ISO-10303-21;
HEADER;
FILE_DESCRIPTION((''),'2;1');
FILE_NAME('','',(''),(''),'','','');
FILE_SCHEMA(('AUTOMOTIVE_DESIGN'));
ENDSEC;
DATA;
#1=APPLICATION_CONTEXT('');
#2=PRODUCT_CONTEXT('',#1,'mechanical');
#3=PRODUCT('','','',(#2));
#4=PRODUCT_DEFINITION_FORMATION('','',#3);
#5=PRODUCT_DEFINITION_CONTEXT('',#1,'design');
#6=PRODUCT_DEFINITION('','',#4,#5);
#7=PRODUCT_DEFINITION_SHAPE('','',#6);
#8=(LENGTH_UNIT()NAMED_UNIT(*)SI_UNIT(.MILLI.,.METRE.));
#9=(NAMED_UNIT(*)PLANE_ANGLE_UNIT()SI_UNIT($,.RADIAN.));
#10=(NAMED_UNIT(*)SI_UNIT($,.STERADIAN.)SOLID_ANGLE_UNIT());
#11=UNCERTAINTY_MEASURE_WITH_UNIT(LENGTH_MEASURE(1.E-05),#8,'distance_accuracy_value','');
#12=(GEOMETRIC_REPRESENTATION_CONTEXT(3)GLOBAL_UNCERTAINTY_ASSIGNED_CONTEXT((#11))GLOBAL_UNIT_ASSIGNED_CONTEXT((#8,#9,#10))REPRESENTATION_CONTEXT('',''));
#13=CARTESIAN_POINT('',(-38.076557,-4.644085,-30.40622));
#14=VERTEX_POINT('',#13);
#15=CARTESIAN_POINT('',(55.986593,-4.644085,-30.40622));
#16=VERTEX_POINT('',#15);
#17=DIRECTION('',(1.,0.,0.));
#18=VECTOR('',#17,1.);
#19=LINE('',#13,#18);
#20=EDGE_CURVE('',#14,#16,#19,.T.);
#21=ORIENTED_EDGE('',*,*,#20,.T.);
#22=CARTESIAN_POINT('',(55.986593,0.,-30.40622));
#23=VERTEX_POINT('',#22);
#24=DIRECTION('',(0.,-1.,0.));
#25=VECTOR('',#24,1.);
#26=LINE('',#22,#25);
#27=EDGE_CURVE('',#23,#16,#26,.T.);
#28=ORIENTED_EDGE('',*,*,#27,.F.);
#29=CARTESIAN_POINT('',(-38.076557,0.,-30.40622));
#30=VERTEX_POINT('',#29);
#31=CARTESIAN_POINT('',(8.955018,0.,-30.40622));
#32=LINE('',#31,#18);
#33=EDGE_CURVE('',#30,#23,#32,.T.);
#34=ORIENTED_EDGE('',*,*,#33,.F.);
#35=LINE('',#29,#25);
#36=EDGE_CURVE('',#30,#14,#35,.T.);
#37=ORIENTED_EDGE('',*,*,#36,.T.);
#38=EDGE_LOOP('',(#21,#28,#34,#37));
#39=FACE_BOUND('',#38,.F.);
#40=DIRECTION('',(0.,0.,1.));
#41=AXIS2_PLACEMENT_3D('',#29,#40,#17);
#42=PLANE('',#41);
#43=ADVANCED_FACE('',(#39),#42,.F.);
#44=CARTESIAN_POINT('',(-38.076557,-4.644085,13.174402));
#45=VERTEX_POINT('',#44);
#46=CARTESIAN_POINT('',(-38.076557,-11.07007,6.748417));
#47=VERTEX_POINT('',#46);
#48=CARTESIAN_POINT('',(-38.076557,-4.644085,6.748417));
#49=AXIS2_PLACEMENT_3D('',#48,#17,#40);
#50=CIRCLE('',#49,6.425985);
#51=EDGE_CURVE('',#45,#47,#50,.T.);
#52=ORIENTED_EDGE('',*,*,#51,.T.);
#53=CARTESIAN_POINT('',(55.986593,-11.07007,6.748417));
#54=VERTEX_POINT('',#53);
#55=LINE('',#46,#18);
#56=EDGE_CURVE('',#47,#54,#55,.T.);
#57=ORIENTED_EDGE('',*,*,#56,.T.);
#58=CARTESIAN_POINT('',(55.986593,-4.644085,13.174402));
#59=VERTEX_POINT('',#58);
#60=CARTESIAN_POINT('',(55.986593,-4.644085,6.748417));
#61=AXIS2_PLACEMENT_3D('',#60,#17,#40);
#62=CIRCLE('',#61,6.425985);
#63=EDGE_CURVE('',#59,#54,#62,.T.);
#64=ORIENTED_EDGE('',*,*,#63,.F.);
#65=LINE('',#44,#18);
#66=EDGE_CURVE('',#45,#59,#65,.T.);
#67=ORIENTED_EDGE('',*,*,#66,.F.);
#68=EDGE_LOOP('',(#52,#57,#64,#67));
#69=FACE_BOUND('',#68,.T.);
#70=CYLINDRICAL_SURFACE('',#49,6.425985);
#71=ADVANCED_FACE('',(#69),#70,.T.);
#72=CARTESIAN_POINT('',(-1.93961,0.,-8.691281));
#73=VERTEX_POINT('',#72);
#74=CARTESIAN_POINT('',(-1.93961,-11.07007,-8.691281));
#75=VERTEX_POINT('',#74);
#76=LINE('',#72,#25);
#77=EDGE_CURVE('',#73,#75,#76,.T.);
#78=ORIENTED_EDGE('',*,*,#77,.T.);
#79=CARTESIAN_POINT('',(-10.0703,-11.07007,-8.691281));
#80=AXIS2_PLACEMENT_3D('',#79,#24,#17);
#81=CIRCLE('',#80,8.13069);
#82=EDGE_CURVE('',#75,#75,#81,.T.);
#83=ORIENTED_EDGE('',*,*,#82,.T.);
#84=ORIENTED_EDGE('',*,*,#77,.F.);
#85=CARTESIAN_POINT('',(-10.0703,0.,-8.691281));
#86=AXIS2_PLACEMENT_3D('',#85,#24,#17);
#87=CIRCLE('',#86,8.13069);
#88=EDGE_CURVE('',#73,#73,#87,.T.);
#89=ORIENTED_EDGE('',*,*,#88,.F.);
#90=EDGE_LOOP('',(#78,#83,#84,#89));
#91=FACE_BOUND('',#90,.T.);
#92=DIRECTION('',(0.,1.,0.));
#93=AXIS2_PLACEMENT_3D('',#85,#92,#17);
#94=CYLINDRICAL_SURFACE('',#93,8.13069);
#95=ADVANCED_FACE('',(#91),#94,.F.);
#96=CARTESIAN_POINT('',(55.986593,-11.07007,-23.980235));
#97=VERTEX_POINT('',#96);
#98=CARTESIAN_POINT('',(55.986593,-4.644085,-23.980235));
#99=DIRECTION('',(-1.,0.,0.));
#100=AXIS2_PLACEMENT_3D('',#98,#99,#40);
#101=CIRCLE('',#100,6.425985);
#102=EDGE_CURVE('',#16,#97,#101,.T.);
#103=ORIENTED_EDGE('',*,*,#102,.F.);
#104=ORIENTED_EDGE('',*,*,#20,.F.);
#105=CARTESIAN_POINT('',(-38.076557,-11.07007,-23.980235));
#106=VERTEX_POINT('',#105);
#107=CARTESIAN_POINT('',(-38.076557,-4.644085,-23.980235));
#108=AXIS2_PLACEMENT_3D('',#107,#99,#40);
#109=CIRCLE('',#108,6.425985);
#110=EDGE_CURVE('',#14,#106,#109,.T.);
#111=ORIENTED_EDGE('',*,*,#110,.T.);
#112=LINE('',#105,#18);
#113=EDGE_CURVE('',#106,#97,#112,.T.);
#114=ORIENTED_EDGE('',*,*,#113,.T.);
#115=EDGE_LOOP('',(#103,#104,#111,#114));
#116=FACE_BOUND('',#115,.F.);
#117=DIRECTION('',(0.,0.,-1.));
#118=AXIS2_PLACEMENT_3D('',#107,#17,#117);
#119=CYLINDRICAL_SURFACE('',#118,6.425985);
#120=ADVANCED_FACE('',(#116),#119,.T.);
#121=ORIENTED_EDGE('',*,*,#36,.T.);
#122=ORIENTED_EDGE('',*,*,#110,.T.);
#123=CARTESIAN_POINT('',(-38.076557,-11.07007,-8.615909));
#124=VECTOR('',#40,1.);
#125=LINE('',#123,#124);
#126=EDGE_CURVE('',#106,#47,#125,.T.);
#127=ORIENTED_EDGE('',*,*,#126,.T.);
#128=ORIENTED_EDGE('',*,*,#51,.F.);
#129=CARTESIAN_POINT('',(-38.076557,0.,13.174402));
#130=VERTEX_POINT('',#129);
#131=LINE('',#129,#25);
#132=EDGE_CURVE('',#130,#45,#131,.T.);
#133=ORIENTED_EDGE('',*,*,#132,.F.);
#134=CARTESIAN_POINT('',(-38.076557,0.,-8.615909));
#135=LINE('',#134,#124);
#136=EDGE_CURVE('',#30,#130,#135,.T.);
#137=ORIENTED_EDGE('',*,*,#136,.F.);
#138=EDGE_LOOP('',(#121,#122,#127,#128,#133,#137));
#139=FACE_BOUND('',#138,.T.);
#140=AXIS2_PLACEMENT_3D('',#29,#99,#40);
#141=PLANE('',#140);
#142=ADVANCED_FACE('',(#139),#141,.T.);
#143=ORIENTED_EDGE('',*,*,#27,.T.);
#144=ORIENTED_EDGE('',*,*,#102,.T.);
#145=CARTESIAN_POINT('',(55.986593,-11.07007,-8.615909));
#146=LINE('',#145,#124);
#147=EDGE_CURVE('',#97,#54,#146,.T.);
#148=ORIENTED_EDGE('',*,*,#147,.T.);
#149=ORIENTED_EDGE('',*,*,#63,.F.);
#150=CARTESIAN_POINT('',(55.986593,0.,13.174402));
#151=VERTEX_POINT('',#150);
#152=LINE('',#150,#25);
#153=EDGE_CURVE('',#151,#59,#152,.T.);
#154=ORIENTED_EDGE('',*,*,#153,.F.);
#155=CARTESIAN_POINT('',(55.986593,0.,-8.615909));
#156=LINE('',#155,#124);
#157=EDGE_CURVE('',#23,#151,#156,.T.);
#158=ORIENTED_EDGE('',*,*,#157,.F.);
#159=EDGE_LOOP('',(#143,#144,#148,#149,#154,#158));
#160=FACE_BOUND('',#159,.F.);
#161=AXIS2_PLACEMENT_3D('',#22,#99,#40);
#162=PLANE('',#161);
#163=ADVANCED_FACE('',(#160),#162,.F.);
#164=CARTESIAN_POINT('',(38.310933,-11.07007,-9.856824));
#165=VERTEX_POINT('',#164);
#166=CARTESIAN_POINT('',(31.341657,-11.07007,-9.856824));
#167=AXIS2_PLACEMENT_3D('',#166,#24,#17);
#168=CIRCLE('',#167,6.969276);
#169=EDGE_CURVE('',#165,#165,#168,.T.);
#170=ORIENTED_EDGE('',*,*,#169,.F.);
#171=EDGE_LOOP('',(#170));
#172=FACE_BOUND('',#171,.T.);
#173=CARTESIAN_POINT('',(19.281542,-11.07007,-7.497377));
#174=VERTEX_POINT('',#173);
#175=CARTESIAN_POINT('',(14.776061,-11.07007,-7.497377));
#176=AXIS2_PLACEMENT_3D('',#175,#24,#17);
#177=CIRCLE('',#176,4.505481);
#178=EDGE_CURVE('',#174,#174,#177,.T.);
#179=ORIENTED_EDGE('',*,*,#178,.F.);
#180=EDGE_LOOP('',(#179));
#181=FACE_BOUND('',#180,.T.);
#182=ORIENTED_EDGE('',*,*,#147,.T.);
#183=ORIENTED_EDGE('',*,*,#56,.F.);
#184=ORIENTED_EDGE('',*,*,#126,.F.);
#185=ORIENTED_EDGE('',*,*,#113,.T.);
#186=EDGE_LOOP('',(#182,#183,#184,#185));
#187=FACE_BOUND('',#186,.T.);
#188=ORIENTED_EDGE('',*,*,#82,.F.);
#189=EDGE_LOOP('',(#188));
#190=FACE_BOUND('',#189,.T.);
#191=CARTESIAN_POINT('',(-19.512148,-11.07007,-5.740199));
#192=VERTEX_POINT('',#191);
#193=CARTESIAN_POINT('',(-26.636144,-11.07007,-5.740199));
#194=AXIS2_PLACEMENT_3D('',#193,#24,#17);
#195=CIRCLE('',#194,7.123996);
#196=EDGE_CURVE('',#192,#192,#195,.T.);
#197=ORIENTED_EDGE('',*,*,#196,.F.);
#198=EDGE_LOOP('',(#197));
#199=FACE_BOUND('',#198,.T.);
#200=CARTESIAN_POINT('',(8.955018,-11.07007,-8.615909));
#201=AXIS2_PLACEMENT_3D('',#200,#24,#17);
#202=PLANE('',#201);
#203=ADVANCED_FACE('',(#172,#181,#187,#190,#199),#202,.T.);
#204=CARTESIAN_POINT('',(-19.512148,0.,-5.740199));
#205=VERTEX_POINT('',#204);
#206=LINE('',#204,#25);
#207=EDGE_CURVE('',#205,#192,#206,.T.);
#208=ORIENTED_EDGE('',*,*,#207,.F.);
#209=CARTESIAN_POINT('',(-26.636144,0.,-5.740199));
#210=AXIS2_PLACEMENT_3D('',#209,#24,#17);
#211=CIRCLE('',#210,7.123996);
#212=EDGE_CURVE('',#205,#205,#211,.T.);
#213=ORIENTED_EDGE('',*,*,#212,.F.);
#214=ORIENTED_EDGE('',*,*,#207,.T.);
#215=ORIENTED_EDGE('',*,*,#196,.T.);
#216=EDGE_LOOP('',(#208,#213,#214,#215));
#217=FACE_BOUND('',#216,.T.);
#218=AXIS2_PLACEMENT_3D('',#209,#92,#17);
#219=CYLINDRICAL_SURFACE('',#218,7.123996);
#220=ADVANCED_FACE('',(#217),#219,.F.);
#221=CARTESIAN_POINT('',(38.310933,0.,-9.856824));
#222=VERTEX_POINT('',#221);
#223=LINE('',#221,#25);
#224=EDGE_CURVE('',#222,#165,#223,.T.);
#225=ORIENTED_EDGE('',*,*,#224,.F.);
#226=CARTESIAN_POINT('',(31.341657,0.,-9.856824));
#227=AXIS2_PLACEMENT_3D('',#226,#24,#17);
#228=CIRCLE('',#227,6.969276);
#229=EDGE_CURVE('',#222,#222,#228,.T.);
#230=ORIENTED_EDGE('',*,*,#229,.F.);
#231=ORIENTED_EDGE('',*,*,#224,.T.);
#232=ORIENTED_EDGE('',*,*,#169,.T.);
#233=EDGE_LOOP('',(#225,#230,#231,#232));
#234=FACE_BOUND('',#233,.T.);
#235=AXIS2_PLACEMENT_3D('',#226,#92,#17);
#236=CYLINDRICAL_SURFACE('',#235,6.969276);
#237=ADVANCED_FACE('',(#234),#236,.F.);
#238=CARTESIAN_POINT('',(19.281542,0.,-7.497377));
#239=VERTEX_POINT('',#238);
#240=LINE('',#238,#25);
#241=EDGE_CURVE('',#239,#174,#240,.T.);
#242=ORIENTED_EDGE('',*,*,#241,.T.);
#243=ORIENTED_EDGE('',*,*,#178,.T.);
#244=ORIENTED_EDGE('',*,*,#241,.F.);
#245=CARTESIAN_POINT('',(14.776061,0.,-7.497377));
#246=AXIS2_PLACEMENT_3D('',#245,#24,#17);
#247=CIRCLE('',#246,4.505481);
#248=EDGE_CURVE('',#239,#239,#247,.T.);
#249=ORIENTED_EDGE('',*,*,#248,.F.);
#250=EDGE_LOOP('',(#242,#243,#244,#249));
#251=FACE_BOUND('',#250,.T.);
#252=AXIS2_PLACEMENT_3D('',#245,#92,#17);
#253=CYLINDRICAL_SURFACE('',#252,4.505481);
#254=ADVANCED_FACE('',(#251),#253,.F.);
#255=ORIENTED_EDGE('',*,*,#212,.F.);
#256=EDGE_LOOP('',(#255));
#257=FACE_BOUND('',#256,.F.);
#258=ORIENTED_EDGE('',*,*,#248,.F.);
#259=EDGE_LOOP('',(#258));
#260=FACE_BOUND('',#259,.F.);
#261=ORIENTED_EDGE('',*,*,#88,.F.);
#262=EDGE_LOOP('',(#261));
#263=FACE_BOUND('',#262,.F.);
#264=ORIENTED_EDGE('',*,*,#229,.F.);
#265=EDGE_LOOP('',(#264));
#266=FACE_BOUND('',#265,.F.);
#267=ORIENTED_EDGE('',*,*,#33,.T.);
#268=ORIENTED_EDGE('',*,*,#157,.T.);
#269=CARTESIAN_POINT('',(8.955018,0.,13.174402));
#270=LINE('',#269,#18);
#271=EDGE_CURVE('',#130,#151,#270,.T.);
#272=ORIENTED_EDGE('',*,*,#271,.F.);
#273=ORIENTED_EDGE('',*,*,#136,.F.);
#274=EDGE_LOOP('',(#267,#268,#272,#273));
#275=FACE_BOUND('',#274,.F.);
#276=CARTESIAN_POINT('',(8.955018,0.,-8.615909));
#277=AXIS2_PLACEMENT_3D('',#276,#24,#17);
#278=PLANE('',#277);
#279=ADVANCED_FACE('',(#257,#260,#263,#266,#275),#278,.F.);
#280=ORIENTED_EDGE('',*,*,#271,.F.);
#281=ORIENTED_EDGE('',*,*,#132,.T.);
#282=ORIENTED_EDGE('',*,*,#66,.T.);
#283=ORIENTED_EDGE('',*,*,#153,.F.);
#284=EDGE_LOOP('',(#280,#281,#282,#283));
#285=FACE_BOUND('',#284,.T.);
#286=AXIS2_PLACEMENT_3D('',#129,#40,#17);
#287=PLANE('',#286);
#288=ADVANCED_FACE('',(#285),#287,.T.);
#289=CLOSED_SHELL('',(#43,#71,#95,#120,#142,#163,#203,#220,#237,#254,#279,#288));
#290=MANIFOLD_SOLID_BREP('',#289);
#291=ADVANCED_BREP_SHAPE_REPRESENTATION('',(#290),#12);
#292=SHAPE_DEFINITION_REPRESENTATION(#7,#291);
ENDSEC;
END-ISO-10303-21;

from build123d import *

# Parameters (mm, degrees)
F0_W     = 94.063151
F0_H     = 43.580622
F1_DEPTH = 11.07007
F2_R     = 6.969276
F2_R_2   = 4.505481
F2_R_3   = 8.13069
F2_R_4   = 7.123996
F3_DEPTH = 11.07007
F4_R     = 6.425985


with BuildPart() as f1:
    # F0 (on Front) → F1 (new body)
    with BuildSketch(Plane.XZ):
        with Locations((8.955018, -8.615909)):
            Rectangle(F0_W, F0_H)
    extrude(amount=F1_DEPTH)

    # F2 (on Front) → F3 (cut, through all)
    with BuildSketch(Plane.XZ):
        with Locations((31.341657, -9.856824)):
            Circle(F2_R)
        with Locations((14.776061, -7.497377)):
            Circle(F2_R_2)
        with Locations((-10.0703, -8.691281)):
            Circle(F2_R_3)
        with Locations((-26.636144, -5.740199)):
            Circle(F2_R_4)
    extrude(amount=F3_DEPTH, mode=Mode.SUBTRACT)

    # F4
    f4_edges = [f1.edges().sort_by_distance(p)[0] for p in [
        (8.955019, -11.07007, 13.174402),
        (8.955019, -11.07007, -30.40622),
    ]]
    fillet(f4_edges, radius=F4_R)


solid = f1.part
